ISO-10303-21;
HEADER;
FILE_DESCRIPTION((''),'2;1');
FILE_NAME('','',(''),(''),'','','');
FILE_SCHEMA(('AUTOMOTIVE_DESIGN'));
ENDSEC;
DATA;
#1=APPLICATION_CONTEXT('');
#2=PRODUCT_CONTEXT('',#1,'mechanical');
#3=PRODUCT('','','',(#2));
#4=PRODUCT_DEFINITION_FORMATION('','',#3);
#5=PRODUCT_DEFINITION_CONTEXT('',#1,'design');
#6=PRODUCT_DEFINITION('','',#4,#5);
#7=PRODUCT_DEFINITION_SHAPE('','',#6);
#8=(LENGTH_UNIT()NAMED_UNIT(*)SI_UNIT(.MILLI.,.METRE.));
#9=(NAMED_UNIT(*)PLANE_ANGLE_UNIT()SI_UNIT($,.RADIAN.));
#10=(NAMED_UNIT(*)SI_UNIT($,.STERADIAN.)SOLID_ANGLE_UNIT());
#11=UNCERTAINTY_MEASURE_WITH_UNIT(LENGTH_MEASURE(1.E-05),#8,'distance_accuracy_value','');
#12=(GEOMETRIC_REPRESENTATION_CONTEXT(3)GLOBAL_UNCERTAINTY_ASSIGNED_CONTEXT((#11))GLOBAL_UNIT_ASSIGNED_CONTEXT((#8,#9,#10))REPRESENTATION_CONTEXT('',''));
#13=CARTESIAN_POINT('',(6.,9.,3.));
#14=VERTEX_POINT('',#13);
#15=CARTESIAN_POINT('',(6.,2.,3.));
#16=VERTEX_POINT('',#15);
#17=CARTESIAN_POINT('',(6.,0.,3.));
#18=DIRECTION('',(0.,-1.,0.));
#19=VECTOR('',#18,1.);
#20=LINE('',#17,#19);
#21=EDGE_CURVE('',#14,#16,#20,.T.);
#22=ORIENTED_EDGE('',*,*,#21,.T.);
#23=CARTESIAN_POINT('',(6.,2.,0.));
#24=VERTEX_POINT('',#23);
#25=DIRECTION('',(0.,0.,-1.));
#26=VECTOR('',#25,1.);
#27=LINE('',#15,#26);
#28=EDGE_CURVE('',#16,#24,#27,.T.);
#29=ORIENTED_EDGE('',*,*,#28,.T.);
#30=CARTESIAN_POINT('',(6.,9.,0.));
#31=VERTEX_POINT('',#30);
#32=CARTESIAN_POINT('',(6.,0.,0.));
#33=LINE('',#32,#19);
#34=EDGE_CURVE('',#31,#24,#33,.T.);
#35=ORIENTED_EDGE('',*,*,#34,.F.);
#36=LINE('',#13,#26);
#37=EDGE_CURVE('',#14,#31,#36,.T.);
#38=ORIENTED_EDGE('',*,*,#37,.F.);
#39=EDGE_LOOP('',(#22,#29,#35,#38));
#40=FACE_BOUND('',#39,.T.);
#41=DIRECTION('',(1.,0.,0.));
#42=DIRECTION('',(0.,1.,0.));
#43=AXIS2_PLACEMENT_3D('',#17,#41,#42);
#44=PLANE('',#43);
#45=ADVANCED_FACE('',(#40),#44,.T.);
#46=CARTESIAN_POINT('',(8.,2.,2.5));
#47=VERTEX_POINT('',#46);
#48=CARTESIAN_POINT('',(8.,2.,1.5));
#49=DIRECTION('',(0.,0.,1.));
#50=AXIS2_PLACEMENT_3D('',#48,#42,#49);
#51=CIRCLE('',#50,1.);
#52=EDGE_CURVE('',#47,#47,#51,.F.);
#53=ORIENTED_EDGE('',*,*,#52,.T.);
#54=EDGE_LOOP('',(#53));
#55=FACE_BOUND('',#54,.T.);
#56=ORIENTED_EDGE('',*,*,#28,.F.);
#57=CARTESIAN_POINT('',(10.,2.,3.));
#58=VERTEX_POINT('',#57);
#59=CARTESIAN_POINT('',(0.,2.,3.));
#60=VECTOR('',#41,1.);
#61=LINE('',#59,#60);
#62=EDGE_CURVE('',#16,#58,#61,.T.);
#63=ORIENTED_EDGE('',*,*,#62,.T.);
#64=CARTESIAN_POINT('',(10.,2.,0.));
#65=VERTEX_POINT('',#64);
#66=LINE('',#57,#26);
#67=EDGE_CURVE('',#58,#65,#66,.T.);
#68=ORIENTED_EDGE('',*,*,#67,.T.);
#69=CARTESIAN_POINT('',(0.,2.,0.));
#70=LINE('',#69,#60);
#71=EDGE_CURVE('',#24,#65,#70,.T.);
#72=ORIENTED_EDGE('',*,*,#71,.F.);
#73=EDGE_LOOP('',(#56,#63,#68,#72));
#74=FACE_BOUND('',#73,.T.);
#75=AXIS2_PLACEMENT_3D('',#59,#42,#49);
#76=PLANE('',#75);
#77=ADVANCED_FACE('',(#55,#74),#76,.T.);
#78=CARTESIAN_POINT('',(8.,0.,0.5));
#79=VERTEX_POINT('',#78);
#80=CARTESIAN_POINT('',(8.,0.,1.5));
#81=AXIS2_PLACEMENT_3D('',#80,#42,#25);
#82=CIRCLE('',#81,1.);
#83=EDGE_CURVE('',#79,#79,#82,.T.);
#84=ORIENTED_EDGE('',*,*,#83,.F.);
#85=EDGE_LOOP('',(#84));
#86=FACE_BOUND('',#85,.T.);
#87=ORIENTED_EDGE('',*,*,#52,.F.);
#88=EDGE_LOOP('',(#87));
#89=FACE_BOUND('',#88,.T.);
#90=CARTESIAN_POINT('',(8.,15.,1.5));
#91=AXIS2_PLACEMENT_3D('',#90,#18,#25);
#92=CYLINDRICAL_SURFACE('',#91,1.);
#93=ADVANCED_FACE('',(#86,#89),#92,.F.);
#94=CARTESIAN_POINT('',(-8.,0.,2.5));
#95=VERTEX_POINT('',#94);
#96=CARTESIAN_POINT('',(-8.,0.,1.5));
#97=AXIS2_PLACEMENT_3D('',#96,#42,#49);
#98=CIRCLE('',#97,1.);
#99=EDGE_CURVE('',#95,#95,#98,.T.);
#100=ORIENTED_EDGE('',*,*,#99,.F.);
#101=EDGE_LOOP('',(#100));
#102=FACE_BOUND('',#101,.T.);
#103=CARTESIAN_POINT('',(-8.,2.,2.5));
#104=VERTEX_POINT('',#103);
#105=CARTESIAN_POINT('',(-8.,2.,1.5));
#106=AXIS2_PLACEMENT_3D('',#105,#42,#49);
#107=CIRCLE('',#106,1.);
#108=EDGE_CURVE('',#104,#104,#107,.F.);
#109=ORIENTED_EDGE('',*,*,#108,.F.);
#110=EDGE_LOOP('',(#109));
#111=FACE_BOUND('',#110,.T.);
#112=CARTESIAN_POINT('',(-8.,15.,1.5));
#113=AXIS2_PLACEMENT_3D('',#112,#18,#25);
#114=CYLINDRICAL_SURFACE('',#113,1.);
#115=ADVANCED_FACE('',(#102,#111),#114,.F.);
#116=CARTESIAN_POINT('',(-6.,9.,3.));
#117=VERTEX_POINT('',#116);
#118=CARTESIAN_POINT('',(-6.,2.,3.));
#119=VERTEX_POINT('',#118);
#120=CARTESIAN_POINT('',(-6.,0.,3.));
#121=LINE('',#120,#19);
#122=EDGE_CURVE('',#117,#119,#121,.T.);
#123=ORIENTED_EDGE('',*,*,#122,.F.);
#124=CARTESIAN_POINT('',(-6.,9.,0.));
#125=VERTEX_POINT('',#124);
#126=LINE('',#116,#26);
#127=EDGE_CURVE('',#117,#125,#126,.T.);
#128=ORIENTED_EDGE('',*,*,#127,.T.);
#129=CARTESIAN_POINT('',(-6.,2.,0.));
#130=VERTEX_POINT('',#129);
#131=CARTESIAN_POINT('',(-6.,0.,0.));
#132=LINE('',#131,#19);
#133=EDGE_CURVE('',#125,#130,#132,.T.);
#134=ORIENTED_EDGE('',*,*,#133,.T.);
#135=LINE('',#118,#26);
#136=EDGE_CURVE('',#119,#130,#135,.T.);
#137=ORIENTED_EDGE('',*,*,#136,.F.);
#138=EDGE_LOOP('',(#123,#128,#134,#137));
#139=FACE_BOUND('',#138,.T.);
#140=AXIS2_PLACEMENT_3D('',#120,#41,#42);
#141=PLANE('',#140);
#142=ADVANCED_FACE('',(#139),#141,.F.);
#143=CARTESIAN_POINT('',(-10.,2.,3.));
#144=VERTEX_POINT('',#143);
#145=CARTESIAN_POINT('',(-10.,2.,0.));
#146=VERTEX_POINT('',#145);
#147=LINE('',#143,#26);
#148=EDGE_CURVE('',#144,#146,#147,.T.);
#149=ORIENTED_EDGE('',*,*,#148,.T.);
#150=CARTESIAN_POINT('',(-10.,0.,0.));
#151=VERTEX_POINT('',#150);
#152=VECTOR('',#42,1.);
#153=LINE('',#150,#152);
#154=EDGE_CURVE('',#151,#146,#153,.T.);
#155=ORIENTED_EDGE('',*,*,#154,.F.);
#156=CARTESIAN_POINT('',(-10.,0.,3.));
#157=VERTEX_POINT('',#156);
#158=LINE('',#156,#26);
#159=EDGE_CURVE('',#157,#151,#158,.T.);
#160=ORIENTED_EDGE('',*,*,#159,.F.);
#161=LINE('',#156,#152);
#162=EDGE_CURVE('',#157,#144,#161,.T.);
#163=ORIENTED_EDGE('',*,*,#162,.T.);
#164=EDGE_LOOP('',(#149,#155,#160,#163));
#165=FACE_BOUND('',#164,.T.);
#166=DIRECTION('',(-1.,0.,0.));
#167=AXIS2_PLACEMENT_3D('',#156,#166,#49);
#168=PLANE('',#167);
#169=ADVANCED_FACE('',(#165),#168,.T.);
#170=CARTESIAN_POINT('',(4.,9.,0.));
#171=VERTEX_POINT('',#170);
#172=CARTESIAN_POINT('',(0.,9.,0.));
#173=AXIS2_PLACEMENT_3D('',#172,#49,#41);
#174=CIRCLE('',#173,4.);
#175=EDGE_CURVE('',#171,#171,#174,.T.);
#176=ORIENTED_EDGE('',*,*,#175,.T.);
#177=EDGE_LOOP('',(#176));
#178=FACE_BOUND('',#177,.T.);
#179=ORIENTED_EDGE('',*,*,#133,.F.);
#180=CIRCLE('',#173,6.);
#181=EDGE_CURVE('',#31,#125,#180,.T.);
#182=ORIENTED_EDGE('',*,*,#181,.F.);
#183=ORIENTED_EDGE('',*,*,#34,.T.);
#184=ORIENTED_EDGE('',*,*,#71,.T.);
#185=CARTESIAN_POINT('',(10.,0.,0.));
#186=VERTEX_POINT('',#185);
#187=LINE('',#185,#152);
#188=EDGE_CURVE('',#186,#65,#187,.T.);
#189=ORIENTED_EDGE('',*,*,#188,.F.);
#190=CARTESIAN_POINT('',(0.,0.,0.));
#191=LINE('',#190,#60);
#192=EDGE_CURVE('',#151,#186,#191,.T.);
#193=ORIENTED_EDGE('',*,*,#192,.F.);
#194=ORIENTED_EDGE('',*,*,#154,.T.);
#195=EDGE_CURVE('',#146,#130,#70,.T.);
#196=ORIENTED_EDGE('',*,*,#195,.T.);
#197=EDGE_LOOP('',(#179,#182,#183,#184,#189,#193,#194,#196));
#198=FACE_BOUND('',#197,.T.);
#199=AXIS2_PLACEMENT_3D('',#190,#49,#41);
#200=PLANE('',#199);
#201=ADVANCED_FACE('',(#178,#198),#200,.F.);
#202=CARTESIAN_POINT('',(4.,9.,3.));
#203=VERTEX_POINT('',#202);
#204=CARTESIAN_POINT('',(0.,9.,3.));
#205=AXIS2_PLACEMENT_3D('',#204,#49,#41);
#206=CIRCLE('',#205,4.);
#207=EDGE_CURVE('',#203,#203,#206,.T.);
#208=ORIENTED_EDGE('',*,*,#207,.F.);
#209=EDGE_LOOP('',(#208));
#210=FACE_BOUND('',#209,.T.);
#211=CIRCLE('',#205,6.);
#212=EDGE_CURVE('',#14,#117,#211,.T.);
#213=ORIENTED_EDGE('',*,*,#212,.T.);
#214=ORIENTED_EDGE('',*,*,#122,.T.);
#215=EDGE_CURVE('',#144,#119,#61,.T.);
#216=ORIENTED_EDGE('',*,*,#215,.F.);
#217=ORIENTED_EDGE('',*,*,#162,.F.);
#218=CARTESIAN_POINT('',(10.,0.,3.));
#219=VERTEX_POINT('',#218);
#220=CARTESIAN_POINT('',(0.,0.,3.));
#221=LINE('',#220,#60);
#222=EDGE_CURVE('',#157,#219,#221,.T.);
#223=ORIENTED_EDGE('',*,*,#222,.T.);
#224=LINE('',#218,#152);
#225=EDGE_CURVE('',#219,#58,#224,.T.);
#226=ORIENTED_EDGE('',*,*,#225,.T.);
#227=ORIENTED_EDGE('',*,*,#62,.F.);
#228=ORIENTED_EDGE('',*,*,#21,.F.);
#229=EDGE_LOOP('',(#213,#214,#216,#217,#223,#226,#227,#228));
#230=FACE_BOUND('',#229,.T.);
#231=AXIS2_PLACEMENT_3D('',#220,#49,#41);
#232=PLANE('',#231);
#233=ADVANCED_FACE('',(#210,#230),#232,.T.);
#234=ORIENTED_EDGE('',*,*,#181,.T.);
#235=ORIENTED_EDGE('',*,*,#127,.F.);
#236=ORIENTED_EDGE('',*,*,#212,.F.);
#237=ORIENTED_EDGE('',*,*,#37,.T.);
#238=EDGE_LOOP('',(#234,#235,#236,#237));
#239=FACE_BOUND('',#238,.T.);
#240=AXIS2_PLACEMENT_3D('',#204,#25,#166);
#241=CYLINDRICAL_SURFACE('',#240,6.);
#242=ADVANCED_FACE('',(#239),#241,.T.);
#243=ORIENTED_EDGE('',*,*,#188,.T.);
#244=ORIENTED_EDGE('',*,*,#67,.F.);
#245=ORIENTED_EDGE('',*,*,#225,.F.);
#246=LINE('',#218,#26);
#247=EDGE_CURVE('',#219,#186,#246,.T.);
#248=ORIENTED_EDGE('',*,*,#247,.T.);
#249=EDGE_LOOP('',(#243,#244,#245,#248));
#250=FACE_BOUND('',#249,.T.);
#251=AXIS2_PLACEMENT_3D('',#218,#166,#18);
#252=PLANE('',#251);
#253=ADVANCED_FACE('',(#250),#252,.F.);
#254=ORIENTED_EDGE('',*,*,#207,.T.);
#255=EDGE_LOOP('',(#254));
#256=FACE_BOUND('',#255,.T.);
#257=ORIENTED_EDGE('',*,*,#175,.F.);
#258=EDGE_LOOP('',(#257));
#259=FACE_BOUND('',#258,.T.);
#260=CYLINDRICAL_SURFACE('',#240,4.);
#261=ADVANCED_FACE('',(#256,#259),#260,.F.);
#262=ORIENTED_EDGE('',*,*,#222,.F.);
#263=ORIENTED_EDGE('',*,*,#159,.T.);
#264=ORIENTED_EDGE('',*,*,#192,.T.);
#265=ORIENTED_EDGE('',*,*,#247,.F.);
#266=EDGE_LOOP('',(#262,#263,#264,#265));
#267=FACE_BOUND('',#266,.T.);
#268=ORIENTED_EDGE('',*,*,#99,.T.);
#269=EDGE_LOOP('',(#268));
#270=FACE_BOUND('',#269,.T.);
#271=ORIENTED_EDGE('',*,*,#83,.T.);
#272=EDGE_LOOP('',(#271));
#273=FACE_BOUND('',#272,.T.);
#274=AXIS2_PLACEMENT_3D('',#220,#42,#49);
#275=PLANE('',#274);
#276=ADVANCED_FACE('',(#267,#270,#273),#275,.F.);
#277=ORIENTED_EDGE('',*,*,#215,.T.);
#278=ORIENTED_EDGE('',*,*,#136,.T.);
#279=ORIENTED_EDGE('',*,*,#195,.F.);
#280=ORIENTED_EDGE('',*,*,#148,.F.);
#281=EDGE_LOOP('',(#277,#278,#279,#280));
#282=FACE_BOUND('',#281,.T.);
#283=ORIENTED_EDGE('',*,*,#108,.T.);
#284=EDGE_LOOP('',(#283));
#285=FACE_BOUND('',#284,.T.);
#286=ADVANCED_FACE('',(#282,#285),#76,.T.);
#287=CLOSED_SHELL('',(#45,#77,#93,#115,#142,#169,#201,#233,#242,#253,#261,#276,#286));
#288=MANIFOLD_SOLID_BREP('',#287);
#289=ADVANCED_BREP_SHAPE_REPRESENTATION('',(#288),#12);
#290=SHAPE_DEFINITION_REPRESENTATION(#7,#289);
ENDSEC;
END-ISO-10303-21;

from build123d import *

# Parameters (mm, degrees)
SKETCH1_W           = 20
SKETCH1_H           = 2
BOSS_EXTRUDE1_DEPTH = 3
SKETCH2_R           = 1
CUT_EXTRUDE1_DEPTH  = 16


with BuildPart() as part:
    # Sketch1 → Boss-Extrude1 (new body)
    with BuildSketch(Plane.XY):
        with Locations((0, 1)):
            Rectangle(SKETCH1_W, SKETCH1_H)
        with BuildLine():
            Line((-6, 9), (-6, 2))
            Line((-6, 2), (6, 2))
            Line((6, 2), (6, 9))
            ThreePointArc((6, 9), (0, 3), (-6, 9))
        make_face()
        with BuildLine():
            ThreePointArc((6, 9), (0, 15), (-6, 9))
            Line((-6, 9), (-4, 9))
            ThreePointArc((-4, 9), (0, 13), (4, 9))
            Line((4, 9), (6, 9))
        make_face()
        with BuildLine():
            Line((-4, 9), (-6, 9))
            ThreePointArc((-6, 9), (0, 3), (6, 9))
            Line((6, 9), (4, 9))
            ThreePointArc((4, 9), (0, 5), (-4, 9))
        make_face()
    extrude(amount=BOSS_EXTRUDE1_DEPTH)

    # Sketch2 → Cut-Extrude1 (cut, through all)
    with BuildSketch(Plane(origin=(0, 0, 0), x_dir=(1, 0, 0), z_dir=(0, 1, 0))):
        with Locations((-8, -1.5)):
            Circle(SKETCH2_R)
        with Locations((8, -1.5)):
            Circle(SKETCH2_R)
    extrude(amount=CUT_EXTRUDE1_DEPTH, mode=Mode.SUBTRACT)


solid = part.part
